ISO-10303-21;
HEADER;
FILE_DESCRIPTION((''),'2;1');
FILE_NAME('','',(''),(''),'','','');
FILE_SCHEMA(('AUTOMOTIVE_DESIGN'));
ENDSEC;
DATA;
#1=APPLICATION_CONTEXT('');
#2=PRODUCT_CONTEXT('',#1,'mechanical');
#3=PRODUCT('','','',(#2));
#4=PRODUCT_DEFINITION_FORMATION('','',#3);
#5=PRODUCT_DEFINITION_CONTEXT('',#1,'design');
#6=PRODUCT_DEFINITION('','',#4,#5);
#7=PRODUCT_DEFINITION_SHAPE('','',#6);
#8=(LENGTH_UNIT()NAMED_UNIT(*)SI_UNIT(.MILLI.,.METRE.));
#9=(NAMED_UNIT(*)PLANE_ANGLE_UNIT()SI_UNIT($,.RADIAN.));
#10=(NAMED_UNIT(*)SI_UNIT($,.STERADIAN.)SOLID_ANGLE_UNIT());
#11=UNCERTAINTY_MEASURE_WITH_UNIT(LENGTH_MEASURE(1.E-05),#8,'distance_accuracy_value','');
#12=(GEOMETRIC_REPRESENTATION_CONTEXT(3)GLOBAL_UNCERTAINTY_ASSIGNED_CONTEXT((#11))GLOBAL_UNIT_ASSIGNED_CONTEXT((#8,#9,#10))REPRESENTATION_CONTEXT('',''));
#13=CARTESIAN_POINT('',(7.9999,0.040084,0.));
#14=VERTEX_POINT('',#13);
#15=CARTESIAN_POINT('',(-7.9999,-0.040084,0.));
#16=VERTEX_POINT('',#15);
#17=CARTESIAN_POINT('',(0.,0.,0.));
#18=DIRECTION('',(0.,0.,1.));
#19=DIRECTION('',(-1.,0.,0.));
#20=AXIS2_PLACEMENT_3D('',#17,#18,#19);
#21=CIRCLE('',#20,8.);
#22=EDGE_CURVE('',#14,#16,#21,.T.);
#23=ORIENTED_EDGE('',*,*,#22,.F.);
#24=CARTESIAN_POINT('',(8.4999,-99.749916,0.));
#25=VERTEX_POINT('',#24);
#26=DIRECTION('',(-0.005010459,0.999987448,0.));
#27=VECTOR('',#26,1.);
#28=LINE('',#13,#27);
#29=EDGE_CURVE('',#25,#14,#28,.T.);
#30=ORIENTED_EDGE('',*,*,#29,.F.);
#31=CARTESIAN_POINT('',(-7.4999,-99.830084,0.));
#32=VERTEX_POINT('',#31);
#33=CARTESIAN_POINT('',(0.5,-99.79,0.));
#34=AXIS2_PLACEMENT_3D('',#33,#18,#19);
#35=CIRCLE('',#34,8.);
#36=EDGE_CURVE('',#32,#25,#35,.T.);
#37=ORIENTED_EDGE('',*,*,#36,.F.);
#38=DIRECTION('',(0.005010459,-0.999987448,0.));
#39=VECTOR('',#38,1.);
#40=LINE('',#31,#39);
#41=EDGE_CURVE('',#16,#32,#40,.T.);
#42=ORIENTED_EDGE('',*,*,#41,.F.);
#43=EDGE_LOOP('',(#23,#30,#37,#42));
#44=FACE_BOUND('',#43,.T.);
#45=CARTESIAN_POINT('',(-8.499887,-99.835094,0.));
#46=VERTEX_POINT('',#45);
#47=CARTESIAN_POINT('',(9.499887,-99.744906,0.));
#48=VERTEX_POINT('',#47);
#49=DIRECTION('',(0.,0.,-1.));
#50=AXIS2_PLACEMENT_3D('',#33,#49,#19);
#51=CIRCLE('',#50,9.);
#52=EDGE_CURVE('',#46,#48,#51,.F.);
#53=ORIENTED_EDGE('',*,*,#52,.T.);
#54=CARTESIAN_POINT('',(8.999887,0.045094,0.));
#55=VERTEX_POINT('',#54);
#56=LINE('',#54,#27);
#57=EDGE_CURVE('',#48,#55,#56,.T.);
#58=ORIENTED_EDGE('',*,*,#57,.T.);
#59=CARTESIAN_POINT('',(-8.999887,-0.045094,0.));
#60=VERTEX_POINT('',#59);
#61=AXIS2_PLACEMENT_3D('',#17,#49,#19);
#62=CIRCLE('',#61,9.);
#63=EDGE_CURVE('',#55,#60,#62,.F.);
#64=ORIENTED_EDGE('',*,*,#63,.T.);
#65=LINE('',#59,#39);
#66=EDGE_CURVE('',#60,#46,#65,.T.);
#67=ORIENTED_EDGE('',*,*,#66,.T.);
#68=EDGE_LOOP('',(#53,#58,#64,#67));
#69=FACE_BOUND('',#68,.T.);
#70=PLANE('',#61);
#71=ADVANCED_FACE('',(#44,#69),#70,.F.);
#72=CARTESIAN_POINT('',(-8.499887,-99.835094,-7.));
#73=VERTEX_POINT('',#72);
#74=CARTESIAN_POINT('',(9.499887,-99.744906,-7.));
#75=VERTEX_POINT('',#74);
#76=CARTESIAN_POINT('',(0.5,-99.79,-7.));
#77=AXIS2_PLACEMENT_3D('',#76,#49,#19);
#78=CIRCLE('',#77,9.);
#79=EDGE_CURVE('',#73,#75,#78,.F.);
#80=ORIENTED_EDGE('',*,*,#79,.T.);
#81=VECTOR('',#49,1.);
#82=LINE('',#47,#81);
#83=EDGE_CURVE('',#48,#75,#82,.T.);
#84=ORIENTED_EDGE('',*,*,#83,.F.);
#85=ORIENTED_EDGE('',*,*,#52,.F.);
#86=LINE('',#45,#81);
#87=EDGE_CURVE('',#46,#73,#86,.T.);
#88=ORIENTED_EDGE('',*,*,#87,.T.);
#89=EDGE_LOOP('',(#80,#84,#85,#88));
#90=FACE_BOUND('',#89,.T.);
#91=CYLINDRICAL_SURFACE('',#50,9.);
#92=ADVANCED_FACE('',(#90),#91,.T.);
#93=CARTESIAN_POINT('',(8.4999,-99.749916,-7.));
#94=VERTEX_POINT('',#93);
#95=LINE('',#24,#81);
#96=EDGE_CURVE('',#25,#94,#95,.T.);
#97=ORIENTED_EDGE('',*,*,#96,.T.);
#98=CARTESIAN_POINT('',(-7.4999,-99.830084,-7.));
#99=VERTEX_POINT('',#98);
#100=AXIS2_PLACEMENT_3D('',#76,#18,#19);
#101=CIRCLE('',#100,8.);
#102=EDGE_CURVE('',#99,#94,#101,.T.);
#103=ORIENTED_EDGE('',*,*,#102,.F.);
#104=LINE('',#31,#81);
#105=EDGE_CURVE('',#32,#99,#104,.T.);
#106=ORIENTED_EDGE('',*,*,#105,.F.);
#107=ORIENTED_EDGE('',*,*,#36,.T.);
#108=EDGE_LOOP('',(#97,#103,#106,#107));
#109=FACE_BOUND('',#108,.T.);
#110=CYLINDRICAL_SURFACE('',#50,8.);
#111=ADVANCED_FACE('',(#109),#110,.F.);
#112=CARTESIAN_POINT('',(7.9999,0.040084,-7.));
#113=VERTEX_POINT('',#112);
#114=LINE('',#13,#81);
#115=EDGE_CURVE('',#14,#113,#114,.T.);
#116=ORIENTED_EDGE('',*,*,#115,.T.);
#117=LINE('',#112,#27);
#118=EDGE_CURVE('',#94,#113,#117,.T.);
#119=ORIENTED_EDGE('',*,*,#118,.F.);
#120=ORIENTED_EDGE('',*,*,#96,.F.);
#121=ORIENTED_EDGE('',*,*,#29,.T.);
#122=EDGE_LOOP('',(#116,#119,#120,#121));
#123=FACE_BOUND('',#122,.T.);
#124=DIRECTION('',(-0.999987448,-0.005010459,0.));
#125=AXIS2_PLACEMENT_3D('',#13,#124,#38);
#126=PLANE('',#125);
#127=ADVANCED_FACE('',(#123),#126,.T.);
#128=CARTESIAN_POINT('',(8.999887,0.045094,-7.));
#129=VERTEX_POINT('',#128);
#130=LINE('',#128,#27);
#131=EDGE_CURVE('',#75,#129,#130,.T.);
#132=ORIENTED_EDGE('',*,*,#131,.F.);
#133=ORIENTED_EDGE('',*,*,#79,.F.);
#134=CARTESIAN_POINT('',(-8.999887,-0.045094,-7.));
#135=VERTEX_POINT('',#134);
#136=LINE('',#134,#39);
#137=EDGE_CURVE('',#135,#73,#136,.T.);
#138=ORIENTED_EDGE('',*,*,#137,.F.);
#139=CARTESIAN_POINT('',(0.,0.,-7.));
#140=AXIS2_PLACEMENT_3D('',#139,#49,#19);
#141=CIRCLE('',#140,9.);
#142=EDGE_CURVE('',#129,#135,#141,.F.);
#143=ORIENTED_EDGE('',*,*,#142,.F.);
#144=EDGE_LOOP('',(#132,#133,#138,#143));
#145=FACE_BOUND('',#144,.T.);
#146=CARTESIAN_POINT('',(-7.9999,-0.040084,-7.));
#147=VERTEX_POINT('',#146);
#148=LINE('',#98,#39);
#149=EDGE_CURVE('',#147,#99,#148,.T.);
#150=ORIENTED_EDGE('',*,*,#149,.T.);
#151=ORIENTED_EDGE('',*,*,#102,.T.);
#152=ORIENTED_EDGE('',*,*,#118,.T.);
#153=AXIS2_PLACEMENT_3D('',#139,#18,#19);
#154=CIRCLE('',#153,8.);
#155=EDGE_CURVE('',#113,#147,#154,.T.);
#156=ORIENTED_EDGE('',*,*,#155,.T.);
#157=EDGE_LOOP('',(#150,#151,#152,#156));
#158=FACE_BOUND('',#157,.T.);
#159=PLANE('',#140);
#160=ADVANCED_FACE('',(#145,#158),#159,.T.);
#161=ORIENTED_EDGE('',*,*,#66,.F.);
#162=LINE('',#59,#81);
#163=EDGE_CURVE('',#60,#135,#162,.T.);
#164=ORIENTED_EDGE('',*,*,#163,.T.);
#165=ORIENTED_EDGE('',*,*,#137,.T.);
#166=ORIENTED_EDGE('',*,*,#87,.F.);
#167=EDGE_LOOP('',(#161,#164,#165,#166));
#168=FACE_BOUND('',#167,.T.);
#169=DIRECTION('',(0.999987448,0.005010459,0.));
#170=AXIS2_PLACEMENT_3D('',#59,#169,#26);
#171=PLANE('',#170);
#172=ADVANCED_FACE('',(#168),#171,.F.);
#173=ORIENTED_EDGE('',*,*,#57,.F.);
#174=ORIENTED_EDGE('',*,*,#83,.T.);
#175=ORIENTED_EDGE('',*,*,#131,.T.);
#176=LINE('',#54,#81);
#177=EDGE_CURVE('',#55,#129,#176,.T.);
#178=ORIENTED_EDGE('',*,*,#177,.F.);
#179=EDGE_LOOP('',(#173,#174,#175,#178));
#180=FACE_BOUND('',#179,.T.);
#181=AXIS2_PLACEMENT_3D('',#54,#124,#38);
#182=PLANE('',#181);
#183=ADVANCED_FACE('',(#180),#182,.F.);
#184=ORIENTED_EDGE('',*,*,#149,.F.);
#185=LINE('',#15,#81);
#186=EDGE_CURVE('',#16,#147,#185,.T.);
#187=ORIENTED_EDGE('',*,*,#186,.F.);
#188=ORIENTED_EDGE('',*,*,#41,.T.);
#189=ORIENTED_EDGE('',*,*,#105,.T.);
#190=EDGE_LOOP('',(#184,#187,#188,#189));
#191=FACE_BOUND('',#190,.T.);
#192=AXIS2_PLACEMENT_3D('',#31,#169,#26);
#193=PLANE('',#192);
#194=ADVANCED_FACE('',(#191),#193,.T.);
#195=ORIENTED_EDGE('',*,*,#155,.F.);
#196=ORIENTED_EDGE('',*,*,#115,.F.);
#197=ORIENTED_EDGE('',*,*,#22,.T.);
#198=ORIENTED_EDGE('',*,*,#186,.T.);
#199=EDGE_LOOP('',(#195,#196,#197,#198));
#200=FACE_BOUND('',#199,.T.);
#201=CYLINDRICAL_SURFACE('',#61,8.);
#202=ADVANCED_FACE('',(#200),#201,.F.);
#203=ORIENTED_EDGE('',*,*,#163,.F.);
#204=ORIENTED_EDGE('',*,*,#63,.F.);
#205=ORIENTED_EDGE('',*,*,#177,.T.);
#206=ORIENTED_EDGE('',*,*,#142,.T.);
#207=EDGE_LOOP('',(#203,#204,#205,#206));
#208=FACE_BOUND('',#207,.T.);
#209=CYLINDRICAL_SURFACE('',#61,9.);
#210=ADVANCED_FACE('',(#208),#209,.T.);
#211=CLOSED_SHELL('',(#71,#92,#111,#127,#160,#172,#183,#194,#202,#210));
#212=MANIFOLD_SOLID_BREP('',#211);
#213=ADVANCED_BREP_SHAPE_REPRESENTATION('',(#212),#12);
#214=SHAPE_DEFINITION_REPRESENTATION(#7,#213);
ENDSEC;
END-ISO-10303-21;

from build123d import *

# Parameters (mm, degrees)
EXTRUDE_THIN1_START = -3.5
EXTRUDE_THIN1_DEPTH = 3.5


with BuildPart() as part:
    # Sketch2 → Extrude-Thin1 (new, symmetric)
    with BuildSketch(Plane.XY.offset(EXTRUDE_THIN1_START)):
        with BuildLine():
            Line((-8.499887028, -99.835094133), (-8.999887028, -0.045094133))
            ThreePointArc((-8.999887028, -0.045094133), (-0.045094133, 8.999887028), (8.999887028, 0.045094133))
            Line((8.999887028, 0.045094133), (9.499887028, -99.744905867))
            ThreePointArc((9.499887028, -99.744905867), (0.545094133, -108.789887028), (-8.499887028, -99.835094133))
        make_face()
        with BuildLine():
            Line((-7.499899581, -99.830083674), (-7.999899581, -0.040083674))
            ThreePointArc((-7.999899581, -0.040083674), (-0.040083674, 7.999899581), (7.999899581, 0.040083674))
            Line((7.999899581, 0.040083674), (8.499899581, -99.749916326))
            ThreePointArc((8.499899581, -99.749916326), (0.540083674, -107.789899581), (-7.499899581, -99.830083674))
        make_face(mode=Mode.SUBTRACT)
    extrude(amount=EXTRUDE_THIN1_DEPTH, both=True)


solid = part.part
